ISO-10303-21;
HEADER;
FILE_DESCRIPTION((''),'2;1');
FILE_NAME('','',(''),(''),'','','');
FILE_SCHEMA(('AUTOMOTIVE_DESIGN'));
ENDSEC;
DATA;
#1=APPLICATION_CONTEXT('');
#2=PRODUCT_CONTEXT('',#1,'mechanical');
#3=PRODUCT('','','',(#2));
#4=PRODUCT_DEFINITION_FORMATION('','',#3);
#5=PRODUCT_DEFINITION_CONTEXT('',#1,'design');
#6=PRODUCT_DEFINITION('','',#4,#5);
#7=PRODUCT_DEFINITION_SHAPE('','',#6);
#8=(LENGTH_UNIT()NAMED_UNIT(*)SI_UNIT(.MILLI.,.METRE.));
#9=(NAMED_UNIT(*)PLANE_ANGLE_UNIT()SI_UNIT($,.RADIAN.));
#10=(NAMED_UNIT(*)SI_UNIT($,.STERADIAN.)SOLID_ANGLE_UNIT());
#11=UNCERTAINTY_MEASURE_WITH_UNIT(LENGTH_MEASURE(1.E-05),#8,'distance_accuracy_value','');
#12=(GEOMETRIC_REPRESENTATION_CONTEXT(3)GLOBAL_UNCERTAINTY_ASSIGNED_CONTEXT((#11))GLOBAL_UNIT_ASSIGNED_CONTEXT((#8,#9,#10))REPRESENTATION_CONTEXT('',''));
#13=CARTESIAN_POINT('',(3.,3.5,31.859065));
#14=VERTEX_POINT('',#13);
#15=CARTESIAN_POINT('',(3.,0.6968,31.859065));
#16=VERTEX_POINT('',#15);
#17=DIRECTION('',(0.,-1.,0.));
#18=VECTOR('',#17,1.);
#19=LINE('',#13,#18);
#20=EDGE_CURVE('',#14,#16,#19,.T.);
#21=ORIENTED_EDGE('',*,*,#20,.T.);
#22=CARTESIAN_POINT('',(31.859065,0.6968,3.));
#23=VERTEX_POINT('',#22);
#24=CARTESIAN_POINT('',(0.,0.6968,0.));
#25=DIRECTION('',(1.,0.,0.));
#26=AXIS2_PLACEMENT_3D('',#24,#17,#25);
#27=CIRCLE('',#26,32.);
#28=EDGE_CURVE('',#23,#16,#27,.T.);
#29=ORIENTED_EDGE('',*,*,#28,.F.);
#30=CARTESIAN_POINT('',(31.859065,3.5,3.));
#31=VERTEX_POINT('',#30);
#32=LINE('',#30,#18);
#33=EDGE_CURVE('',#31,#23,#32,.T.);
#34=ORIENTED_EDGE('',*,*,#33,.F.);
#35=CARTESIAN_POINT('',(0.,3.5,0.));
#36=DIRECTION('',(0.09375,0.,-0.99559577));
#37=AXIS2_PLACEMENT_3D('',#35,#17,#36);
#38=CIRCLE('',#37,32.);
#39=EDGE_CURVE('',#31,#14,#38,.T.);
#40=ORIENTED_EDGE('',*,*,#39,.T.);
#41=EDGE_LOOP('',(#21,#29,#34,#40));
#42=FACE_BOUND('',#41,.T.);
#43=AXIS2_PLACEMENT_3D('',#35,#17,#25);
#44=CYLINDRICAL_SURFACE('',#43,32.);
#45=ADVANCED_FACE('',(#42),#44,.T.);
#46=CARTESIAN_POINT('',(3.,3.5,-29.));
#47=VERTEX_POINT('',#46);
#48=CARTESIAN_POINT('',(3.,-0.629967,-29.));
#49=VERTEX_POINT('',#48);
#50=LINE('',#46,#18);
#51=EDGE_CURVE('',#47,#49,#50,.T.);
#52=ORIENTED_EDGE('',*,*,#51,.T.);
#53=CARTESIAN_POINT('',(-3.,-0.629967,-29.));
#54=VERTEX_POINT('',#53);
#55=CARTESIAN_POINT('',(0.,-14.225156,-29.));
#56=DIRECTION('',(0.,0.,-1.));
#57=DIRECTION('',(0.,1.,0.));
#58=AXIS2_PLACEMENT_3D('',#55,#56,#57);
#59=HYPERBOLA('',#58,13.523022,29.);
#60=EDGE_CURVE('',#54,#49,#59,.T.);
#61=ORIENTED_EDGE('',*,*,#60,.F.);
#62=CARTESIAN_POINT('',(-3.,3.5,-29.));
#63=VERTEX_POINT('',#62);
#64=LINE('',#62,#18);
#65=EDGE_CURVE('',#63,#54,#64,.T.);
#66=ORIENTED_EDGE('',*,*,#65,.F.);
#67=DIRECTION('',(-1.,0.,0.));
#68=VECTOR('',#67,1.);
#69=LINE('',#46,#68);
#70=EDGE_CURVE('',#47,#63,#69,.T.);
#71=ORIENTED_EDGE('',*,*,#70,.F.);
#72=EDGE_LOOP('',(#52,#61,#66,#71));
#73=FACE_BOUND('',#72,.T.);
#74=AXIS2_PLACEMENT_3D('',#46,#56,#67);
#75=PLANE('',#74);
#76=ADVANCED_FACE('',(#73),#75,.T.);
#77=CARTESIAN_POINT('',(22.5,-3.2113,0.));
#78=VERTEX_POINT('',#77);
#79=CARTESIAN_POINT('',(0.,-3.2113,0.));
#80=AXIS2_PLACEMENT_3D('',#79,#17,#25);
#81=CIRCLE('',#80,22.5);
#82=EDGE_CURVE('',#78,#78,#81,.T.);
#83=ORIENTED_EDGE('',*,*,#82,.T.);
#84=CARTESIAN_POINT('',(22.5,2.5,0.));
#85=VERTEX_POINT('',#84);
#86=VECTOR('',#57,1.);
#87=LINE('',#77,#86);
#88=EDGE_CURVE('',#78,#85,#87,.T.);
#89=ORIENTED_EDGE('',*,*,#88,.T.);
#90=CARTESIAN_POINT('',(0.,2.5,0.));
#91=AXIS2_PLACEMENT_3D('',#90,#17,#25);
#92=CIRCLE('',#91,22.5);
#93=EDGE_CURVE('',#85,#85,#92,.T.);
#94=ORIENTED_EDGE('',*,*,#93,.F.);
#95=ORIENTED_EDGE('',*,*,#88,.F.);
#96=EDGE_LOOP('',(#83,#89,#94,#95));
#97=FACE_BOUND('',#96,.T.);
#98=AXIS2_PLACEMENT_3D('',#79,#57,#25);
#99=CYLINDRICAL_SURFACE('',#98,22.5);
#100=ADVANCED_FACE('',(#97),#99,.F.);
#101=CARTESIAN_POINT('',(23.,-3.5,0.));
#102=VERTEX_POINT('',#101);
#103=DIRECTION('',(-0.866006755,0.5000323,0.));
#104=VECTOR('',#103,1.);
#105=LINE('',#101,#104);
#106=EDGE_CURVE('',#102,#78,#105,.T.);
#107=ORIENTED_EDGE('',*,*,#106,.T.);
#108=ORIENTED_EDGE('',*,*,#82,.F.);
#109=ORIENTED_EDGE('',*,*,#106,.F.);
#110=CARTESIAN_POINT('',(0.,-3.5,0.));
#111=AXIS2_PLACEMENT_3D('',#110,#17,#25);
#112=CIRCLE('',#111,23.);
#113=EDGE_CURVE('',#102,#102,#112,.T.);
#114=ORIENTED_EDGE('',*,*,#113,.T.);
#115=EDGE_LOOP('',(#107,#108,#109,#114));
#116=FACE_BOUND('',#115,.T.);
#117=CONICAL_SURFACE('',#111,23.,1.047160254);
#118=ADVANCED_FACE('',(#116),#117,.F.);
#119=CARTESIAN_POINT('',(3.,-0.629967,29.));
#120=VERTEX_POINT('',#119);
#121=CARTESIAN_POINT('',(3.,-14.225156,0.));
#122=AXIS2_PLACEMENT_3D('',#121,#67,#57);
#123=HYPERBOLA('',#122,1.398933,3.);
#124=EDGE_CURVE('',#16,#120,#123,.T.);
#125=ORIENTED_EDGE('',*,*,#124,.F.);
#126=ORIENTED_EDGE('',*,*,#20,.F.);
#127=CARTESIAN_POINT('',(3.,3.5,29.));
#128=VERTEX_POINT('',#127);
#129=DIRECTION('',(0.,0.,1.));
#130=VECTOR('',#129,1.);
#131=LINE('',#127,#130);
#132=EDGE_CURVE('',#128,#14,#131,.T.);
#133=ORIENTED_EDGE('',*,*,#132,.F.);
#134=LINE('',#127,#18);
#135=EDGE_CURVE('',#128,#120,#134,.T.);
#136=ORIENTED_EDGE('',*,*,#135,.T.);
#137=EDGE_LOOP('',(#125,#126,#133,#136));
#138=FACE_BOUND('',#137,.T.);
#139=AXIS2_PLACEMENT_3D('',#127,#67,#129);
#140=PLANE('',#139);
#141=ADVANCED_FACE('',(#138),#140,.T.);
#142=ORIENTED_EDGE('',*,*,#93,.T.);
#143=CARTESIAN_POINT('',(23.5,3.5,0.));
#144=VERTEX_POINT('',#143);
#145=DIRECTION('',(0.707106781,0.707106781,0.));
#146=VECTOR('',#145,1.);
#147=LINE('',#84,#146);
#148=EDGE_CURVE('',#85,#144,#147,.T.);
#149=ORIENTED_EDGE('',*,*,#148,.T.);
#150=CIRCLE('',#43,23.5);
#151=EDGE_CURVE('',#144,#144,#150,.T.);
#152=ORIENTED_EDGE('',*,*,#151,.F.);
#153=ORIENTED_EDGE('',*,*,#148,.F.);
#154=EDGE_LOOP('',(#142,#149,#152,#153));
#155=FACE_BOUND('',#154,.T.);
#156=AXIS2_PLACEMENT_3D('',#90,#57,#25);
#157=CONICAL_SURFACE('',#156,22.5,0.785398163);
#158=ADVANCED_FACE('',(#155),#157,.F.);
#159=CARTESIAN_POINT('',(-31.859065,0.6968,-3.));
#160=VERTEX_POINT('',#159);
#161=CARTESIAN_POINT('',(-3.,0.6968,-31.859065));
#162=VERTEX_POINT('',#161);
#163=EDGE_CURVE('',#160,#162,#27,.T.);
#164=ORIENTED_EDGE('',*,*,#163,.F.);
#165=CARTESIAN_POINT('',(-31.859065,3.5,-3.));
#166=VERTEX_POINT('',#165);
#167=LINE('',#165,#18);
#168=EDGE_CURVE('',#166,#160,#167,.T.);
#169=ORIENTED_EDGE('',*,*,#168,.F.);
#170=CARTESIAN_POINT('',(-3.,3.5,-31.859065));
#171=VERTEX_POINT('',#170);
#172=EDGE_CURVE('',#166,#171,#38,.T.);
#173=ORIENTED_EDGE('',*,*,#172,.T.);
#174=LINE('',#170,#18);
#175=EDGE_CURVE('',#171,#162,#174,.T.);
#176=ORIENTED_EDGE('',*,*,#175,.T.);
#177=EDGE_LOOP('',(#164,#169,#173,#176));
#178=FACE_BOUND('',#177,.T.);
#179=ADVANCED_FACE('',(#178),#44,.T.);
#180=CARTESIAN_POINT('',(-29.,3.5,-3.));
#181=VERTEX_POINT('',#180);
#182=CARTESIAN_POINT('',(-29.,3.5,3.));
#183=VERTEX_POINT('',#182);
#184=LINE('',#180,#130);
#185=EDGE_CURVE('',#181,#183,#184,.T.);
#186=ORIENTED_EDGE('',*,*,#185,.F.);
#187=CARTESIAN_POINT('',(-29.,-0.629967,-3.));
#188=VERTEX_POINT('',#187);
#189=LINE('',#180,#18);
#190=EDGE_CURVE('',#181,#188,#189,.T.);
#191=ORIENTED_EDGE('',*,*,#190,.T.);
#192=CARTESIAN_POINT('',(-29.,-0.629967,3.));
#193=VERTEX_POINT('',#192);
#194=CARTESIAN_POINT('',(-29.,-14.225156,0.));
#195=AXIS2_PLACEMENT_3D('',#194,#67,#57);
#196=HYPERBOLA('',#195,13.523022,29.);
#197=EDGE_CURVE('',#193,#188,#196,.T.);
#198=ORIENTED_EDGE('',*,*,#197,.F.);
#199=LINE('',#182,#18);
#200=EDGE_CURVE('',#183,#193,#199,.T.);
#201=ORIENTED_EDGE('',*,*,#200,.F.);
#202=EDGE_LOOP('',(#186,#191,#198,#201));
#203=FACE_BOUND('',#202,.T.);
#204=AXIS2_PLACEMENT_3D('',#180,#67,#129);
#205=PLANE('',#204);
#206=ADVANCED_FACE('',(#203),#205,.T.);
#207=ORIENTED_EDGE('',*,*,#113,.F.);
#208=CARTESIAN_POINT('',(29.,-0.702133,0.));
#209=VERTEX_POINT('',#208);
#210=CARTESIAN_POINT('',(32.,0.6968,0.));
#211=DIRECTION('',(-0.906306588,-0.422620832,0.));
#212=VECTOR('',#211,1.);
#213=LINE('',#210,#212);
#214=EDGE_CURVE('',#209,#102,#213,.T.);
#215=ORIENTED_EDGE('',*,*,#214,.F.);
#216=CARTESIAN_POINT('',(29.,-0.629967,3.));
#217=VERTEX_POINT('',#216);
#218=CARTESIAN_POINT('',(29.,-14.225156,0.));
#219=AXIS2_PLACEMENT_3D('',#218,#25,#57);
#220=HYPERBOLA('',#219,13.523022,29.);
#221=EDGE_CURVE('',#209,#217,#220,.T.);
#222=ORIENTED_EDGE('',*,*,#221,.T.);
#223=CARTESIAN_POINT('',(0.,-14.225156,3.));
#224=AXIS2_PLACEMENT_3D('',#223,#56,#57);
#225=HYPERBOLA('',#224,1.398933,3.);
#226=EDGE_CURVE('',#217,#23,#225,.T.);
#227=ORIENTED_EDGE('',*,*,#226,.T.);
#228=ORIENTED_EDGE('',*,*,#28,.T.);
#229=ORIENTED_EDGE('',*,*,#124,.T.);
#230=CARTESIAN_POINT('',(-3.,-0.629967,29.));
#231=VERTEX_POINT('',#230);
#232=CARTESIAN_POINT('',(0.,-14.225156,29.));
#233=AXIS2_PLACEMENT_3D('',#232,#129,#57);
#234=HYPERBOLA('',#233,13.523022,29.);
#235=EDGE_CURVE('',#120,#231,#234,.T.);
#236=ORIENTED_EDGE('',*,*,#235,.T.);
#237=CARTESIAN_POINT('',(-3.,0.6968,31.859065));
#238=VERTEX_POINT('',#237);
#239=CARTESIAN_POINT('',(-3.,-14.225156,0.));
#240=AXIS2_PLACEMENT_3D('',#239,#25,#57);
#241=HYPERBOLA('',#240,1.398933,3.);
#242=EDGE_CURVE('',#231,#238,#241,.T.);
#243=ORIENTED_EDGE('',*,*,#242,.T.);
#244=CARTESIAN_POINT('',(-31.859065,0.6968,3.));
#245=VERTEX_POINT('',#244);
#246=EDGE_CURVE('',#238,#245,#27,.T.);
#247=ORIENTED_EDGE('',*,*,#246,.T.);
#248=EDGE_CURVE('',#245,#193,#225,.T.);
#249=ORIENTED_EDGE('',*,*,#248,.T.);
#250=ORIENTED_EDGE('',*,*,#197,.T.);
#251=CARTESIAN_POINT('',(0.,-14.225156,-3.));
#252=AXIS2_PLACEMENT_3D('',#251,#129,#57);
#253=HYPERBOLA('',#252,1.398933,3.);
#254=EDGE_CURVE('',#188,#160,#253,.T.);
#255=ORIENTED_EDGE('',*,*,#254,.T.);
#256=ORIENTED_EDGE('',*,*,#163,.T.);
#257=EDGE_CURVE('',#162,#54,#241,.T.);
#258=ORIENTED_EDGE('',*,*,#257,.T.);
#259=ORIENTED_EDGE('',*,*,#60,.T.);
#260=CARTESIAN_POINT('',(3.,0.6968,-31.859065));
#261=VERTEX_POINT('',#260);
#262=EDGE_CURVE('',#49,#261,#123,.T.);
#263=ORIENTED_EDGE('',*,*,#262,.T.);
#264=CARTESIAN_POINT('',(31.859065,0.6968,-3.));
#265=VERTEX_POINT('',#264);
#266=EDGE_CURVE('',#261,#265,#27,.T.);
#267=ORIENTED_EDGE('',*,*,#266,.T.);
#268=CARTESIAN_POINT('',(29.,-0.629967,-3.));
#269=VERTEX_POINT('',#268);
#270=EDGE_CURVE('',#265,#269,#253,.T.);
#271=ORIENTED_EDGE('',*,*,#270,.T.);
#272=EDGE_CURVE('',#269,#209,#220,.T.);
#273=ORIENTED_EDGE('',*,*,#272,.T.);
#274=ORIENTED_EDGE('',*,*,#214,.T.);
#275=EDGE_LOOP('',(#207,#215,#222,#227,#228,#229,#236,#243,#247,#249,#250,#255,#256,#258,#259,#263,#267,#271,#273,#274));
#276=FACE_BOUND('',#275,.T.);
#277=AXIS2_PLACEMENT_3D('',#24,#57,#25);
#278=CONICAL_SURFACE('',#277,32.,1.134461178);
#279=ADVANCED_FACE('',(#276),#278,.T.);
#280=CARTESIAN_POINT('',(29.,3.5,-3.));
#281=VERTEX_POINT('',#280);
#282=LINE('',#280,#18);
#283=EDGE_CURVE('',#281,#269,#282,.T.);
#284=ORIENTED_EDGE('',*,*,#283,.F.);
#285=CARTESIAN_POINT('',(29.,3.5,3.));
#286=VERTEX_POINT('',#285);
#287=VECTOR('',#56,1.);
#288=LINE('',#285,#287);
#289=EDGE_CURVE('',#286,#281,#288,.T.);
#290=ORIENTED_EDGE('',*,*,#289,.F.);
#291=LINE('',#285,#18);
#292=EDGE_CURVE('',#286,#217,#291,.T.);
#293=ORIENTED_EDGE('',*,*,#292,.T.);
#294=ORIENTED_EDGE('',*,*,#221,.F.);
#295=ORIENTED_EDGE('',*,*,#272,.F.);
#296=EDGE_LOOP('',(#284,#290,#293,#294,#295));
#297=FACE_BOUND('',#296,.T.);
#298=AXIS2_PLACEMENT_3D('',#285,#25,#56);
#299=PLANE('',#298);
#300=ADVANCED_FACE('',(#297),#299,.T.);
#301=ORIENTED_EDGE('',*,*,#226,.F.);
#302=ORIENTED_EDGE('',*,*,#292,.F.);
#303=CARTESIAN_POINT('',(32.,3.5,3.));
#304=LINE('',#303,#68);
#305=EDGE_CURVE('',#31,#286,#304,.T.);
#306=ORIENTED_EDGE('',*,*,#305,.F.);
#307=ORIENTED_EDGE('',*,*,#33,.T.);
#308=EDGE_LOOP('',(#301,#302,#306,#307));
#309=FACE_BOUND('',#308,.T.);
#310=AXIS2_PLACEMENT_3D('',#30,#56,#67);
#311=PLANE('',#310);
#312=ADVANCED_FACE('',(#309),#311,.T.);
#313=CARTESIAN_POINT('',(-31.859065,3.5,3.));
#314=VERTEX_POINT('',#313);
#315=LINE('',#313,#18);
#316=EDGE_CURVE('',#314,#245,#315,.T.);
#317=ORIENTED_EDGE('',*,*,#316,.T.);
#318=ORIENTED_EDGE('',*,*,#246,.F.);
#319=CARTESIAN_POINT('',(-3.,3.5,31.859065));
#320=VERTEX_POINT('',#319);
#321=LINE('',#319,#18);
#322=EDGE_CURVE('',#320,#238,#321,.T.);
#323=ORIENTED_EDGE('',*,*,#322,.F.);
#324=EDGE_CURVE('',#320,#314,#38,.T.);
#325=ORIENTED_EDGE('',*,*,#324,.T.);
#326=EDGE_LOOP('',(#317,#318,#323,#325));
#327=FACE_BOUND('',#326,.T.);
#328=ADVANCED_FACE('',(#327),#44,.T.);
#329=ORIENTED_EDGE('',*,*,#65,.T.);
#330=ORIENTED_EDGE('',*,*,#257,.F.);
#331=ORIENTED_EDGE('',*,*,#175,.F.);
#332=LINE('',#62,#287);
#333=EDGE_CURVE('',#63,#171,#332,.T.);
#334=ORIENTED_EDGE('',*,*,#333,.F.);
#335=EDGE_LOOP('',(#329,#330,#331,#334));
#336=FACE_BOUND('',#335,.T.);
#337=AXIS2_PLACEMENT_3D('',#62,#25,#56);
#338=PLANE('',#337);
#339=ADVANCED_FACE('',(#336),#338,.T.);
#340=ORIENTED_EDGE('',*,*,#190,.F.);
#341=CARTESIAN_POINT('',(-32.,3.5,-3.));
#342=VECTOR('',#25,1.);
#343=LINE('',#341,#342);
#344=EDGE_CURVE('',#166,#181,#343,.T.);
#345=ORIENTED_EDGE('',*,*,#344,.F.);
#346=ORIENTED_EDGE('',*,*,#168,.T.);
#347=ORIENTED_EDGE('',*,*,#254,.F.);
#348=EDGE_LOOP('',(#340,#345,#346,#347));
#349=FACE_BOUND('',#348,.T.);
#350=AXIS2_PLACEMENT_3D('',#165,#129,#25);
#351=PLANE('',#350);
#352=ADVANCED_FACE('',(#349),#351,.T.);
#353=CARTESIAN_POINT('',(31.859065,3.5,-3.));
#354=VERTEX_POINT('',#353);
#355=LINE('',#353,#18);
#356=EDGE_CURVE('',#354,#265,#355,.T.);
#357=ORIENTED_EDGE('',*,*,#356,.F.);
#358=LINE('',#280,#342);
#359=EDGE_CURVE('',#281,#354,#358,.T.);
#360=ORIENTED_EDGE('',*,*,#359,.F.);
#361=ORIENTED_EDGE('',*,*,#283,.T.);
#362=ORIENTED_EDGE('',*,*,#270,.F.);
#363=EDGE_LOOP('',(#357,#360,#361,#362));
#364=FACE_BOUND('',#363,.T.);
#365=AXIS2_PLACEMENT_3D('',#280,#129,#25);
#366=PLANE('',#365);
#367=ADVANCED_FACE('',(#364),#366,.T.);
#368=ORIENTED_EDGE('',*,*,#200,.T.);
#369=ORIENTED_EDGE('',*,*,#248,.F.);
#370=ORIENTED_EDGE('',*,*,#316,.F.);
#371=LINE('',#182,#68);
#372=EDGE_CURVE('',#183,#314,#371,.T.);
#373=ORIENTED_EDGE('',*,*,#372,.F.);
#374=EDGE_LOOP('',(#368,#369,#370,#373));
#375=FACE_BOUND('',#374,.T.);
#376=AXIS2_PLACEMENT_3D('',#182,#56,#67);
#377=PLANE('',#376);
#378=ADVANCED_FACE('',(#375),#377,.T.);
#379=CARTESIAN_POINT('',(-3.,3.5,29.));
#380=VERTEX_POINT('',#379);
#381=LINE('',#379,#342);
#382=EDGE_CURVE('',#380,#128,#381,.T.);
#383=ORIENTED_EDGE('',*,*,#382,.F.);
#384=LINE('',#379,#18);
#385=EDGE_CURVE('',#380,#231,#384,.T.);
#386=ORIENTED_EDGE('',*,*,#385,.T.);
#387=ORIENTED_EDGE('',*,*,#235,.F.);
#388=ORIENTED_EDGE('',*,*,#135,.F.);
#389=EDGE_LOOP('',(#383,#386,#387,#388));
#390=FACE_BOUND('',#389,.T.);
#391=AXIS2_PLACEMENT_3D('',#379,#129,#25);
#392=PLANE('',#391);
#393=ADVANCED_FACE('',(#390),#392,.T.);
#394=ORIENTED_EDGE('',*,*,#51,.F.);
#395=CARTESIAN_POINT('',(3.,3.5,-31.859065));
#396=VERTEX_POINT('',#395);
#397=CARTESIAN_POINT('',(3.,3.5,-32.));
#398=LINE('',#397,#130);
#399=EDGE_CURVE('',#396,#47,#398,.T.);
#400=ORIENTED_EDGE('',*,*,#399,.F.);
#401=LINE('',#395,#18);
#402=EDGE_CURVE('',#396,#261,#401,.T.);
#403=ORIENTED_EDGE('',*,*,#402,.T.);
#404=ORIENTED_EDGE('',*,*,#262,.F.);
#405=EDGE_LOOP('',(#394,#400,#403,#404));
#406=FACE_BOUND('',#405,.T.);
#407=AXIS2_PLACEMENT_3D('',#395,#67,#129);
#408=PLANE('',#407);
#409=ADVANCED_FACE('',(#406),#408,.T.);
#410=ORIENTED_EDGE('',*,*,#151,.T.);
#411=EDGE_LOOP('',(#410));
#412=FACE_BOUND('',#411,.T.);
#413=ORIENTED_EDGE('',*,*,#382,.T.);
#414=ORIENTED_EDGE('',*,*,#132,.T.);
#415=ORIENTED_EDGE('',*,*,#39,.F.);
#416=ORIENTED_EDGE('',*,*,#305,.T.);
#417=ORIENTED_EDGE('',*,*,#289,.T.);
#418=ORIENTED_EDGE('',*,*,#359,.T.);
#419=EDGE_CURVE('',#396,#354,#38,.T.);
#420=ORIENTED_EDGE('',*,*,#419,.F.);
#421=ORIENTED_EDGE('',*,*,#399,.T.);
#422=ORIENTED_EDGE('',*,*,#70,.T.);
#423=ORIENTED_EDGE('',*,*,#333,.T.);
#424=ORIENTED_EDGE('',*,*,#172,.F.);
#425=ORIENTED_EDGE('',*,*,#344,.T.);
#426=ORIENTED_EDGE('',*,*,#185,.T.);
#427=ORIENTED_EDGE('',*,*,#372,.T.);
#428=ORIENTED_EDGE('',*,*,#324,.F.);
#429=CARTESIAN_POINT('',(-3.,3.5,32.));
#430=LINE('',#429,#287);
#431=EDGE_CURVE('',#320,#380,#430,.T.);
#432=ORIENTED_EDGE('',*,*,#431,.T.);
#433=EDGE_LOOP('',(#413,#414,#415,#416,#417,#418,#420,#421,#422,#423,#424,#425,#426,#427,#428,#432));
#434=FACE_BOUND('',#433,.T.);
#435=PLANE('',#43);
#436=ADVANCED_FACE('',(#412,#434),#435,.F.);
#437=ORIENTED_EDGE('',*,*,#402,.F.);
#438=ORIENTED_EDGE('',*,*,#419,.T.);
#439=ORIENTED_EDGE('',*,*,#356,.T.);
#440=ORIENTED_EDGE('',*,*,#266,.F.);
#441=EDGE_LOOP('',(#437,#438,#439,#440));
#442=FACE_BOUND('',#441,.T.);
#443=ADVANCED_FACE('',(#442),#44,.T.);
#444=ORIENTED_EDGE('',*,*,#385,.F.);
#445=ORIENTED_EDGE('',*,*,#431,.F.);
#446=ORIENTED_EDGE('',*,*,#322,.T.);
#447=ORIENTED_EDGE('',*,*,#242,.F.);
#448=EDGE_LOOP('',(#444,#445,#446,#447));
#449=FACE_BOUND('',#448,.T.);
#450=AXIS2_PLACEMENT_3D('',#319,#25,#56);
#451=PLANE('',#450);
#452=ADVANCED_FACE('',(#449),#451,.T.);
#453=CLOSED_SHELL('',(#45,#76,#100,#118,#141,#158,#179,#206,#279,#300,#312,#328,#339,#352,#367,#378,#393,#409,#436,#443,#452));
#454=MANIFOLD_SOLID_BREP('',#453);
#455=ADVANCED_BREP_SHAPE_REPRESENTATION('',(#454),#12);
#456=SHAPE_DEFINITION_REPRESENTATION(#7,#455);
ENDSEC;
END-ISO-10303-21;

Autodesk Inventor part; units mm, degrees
ref_plane "YZ Plane" through (0, 0, 0) normal (1, 0, 0) x (0, 1, 0)
ref_plane "XZ Plane" through (0, 0, 0) normal (0, 1, 0) x (-1, 0, 0)
ref_plane "XY Plane" through (0, 0, 0) normal (0, 0, 1) x (1, 0, 0)
sketch "Эскиз1" plane through (0, 0, 0) normal (0, 0, 1) x (1, 0, 0)
  line L0 (0, 3.5) -> (0, -3.5)
  line L1 (0, -3.5) -> (23, -3.5) construction
  line L2 (23, -3.5) -> (22.5, -3.2113)
  line L3 (22.5, -3.2113) -> (22.5, 2.5)
  line L4 (23.5, 3.5) -> (32, 3.5)
  line L5 (32, 3.5) -> (32, 0.6968)
  line L6 (32, 0.6968) -> (23, -3.5)
  line L7 (22.5, 2.5) -> (23.5, 3.5)
  point P0 (0, 0)
  point P1 (0, 0)
  point P2 (22.5, 3.5)
  dimension "d0" = 7
  dimension "d1" = 46
  dimension "d2" = 45
  dimension "d3" = 25
  dimension "d5" = 64
  dimension "d6" = 1
  dimension "d7" = 45
  dimension "d8" = 60
revolve "Вращение1" add sketch "Эскиз1" angle 360 about axis through (0, 3.5, 0) along (0, -1, 0)
sketch "Эскиз2" plane through (0, 3.5, 0) normal (0, 1, 0) x (1, 0, 0)
  line L0 (-3, 32) -> (3, 32)
  line L1 (3, 32) -> (3, 29)
  line L2 (3, 29) -> (-3, 29)
  line L3 (-3, 29) -> (-3, 32)
  circle A0 centre (0, 0) radius 32 projected
  point P0 (0, 0)
  point P1 (0, 29)
  point P2 (3, 31.8591)
  point P3 (-3, 31.8591)
  dimension "d10" = 6
  dimension "d11" = 3
extrude "Выдавливание1" cut sketch "Эскиз2" against normal through all contours A0 L1 L2 L3 picked at (0, 30)
pattern_circular "Круговой массив1" count 4 over 360 about axis through (0, -0.3557, 0) along (0, -1, 0) of "Выдавливание1"
thread "Резьба1" size "M45x1.5" class "6H" standard "ISO Metric profile" length 20
properties part number "76. Гайка первичного вала"
